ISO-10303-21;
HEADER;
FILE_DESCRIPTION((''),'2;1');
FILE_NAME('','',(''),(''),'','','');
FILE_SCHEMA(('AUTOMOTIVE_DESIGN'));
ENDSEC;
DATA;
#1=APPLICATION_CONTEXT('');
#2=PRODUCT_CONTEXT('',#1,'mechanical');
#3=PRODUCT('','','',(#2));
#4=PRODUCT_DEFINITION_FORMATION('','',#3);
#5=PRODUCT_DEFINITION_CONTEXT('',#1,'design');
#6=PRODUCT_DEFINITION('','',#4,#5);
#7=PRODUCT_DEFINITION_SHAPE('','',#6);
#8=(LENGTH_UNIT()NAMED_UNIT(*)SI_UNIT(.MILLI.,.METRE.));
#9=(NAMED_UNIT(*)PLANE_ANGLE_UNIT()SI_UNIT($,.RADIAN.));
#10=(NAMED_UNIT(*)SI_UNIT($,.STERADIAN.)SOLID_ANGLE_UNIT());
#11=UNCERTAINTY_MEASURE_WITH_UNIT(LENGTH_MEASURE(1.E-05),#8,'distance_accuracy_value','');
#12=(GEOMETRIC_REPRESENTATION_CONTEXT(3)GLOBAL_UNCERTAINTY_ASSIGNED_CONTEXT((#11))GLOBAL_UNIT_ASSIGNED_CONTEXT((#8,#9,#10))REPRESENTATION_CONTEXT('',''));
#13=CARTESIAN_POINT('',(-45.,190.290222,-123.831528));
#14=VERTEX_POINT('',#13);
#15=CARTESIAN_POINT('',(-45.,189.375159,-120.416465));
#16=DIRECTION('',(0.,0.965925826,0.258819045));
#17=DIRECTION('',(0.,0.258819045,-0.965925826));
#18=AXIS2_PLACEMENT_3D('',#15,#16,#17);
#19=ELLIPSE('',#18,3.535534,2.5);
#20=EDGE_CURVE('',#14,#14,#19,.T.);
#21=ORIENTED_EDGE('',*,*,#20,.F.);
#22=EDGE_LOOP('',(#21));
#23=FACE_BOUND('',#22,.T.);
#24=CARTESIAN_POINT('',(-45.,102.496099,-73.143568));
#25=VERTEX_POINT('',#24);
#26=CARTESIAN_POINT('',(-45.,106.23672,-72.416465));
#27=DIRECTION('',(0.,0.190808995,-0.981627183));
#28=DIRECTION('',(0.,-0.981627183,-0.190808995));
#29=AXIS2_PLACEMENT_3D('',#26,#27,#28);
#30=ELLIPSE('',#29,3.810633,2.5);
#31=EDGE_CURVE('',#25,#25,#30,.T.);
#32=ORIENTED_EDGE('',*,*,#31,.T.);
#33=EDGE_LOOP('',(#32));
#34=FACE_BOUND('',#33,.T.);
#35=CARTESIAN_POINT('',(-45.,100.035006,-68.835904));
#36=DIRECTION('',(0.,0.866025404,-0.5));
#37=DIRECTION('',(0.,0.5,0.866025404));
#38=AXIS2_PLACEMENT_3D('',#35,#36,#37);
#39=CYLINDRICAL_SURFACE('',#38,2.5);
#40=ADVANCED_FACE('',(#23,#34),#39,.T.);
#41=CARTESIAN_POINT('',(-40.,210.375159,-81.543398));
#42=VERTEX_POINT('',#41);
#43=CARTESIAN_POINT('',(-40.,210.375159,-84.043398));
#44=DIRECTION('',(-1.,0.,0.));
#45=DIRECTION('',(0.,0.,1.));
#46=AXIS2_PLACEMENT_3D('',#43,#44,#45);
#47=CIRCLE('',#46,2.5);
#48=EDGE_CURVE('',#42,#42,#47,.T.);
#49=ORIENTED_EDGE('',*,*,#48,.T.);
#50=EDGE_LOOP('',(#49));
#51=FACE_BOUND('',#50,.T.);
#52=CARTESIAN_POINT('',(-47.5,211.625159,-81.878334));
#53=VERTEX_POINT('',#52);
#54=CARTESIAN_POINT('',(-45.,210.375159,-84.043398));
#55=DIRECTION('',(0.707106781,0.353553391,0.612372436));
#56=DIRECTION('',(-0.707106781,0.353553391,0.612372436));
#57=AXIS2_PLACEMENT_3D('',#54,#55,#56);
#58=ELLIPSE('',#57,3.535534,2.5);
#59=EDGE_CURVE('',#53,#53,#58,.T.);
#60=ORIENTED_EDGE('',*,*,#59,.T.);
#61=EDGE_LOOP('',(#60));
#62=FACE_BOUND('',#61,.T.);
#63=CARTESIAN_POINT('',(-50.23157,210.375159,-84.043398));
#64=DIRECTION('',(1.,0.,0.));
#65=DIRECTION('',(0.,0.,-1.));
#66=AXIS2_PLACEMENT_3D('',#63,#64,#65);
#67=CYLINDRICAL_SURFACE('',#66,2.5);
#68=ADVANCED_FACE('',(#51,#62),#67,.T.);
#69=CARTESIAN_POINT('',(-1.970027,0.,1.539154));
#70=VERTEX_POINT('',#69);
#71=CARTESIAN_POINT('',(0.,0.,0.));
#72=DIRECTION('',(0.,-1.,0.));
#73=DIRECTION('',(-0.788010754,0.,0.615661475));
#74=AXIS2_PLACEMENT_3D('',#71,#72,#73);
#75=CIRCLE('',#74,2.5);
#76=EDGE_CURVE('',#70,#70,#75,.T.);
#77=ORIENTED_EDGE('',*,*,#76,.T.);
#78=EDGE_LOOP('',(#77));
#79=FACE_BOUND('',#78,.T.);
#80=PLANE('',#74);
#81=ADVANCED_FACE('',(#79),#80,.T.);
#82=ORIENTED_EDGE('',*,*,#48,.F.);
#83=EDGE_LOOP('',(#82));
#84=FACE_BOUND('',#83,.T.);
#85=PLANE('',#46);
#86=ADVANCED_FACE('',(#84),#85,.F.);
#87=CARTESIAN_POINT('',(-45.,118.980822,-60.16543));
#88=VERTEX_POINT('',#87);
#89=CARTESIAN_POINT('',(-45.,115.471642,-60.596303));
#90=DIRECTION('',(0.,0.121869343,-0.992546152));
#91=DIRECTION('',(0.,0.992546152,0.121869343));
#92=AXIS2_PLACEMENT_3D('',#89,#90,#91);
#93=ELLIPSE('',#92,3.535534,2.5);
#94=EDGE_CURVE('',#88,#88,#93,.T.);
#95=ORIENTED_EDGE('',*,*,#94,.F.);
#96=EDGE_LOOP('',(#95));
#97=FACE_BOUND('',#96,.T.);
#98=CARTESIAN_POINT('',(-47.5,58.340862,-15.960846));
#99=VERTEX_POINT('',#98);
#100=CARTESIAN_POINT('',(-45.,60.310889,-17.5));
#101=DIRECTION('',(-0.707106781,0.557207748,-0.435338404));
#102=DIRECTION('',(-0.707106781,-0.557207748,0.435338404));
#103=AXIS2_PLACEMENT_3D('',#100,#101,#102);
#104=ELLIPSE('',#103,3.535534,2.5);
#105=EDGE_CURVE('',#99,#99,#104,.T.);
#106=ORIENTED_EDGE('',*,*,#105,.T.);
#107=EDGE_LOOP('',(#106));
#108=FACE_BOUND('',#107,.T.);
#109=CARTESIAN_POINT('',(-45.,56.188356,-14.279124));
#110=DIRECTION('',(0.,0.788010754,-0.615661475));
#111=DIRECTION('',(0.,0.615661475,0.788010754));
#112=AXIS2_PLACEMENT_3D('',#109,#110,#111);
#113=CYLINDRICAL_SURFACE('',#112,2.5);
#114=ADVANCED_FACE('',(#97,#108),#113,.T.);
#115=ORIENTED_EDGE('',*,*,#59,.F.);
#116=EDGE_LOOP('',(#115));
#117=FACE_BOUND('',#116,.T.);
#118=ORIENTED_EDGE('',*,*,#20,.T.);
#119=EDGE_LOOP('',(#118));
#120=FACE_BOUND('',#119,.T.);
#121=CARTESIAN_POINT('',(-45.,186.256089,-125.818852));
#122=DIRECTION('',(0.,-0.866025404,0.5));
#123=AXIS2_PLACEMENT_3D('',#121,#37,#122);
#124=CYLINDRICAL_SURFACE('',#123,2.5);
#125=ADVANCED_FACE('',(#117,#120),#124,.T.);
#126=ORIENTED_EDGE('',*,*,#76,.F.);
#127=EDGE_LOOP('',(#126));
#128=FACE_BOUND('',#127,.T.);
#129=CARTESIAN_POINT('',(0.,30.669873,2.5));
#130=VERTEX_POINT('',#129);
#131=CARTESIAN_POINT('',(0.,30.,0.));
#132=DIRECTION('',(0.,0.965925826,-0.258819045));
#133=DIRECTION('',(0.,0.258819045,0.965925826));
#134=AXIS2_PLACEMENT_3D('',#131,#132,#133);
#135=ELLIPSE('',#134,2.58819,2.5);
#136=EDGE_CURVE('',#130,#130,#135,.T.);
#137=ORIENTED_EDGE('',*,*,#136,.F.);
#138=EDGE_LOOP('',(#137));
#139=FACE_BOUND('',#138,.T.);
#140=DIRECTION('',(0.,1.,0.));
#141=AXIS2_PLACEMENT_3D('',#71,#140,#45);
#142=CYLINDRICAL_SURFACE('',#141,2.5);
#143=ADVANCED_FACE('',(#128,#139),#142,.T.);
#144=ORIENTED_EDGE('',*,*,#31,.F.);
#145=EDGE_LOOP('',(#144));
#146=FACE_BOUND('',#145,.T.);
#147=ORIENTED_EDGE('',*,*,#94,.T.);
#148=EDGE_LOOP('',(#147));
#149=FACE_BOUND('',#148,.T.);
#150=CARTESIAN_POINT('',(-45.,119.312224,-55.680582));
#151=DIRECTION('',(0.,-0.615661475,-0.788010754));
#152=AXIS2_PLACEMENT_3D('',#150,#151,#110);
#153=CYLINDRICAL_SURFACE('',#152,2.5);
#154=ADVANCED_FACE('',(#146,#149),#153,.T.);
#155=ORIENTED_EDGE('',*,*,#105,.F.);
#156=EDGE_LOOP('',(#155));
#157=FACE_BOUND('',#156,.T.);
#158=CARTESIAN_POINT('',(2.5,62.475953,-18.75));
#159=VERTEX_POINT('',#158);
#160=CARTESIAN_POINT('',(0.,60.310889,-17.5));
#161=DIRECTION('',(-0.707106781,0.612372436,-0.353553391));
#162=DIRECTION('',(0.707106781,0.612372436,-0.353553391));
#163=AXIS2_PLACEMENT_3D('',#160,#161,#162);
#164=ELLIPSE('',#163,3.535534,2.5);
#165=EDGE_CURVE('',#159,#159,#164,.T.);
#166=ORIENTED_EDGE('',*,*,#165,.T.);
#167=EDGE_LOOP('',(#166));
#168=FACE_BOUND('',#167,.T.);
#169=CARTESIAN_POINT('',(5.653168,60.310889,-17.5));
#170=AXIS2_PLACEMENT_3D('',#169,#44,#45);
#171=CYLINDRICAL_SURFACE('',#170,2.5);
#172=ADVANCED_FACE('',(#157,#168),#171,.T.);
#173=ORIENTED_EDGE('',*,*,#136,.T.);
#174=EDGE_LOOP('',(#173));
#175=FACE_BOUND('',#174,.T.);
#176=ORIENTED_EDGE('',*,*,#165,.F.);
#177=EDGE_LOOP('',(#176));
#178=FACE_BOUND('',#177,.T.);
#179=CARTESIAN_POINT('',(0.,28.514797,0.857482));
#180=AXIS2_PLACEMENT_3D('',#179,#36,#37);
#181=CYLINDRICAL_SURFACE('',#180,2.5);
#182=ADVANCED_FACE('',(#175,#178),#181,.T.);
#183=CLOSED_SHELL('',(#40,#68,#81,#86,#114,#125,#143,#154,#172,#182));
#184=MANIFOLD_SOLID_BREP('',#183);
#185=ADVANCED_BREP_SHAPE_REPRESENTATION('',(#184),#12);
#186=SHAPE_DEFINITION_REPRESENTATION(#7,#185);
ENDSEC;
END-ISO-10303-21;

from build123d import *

# Parameters (mm, degrees)
SWEEP1_PROFILE_R = 2.5


with BuildPart() as part:
    # Sweep1: sweep along a curve in space
    with BuildLine() as sweep1_path:
        Line((0, 0, 0), (0, 30, 0))
        Line((0, 30, 0), (0, 60.310889132, -17.5))
        Line((0, 60.310889132, -17.5), (-45, 60.310889132, -17.5))
        Line((-45, 60.310889132, -17.5), (-45, 115.471641885, -60.596303273))
        Line((-45, 115.471641885, -60.596303273), (-45, 106.236719755, -72.416464577))
        Line((-45, 106.236719755, -72.416464577), (-45, 189.375158518, -120.416464577))
        Line((-45, 189.375158518, -120.416464577), (-45, 210.375158518, -84.043397618))
        Line((-45, 210.375158518, -84.043397618), (-40, 210.375158518, -84.043397618))
    # Sweep1 profile (on start of the path) → Sweep1 (sweep)
    with BuildSketch(Plane.ZX):
        Circle(SWEEP1_PROFILE_R)
    sweep(path=sweep1_path.line, transition=Transition.RIGHT)


solid = part.part
